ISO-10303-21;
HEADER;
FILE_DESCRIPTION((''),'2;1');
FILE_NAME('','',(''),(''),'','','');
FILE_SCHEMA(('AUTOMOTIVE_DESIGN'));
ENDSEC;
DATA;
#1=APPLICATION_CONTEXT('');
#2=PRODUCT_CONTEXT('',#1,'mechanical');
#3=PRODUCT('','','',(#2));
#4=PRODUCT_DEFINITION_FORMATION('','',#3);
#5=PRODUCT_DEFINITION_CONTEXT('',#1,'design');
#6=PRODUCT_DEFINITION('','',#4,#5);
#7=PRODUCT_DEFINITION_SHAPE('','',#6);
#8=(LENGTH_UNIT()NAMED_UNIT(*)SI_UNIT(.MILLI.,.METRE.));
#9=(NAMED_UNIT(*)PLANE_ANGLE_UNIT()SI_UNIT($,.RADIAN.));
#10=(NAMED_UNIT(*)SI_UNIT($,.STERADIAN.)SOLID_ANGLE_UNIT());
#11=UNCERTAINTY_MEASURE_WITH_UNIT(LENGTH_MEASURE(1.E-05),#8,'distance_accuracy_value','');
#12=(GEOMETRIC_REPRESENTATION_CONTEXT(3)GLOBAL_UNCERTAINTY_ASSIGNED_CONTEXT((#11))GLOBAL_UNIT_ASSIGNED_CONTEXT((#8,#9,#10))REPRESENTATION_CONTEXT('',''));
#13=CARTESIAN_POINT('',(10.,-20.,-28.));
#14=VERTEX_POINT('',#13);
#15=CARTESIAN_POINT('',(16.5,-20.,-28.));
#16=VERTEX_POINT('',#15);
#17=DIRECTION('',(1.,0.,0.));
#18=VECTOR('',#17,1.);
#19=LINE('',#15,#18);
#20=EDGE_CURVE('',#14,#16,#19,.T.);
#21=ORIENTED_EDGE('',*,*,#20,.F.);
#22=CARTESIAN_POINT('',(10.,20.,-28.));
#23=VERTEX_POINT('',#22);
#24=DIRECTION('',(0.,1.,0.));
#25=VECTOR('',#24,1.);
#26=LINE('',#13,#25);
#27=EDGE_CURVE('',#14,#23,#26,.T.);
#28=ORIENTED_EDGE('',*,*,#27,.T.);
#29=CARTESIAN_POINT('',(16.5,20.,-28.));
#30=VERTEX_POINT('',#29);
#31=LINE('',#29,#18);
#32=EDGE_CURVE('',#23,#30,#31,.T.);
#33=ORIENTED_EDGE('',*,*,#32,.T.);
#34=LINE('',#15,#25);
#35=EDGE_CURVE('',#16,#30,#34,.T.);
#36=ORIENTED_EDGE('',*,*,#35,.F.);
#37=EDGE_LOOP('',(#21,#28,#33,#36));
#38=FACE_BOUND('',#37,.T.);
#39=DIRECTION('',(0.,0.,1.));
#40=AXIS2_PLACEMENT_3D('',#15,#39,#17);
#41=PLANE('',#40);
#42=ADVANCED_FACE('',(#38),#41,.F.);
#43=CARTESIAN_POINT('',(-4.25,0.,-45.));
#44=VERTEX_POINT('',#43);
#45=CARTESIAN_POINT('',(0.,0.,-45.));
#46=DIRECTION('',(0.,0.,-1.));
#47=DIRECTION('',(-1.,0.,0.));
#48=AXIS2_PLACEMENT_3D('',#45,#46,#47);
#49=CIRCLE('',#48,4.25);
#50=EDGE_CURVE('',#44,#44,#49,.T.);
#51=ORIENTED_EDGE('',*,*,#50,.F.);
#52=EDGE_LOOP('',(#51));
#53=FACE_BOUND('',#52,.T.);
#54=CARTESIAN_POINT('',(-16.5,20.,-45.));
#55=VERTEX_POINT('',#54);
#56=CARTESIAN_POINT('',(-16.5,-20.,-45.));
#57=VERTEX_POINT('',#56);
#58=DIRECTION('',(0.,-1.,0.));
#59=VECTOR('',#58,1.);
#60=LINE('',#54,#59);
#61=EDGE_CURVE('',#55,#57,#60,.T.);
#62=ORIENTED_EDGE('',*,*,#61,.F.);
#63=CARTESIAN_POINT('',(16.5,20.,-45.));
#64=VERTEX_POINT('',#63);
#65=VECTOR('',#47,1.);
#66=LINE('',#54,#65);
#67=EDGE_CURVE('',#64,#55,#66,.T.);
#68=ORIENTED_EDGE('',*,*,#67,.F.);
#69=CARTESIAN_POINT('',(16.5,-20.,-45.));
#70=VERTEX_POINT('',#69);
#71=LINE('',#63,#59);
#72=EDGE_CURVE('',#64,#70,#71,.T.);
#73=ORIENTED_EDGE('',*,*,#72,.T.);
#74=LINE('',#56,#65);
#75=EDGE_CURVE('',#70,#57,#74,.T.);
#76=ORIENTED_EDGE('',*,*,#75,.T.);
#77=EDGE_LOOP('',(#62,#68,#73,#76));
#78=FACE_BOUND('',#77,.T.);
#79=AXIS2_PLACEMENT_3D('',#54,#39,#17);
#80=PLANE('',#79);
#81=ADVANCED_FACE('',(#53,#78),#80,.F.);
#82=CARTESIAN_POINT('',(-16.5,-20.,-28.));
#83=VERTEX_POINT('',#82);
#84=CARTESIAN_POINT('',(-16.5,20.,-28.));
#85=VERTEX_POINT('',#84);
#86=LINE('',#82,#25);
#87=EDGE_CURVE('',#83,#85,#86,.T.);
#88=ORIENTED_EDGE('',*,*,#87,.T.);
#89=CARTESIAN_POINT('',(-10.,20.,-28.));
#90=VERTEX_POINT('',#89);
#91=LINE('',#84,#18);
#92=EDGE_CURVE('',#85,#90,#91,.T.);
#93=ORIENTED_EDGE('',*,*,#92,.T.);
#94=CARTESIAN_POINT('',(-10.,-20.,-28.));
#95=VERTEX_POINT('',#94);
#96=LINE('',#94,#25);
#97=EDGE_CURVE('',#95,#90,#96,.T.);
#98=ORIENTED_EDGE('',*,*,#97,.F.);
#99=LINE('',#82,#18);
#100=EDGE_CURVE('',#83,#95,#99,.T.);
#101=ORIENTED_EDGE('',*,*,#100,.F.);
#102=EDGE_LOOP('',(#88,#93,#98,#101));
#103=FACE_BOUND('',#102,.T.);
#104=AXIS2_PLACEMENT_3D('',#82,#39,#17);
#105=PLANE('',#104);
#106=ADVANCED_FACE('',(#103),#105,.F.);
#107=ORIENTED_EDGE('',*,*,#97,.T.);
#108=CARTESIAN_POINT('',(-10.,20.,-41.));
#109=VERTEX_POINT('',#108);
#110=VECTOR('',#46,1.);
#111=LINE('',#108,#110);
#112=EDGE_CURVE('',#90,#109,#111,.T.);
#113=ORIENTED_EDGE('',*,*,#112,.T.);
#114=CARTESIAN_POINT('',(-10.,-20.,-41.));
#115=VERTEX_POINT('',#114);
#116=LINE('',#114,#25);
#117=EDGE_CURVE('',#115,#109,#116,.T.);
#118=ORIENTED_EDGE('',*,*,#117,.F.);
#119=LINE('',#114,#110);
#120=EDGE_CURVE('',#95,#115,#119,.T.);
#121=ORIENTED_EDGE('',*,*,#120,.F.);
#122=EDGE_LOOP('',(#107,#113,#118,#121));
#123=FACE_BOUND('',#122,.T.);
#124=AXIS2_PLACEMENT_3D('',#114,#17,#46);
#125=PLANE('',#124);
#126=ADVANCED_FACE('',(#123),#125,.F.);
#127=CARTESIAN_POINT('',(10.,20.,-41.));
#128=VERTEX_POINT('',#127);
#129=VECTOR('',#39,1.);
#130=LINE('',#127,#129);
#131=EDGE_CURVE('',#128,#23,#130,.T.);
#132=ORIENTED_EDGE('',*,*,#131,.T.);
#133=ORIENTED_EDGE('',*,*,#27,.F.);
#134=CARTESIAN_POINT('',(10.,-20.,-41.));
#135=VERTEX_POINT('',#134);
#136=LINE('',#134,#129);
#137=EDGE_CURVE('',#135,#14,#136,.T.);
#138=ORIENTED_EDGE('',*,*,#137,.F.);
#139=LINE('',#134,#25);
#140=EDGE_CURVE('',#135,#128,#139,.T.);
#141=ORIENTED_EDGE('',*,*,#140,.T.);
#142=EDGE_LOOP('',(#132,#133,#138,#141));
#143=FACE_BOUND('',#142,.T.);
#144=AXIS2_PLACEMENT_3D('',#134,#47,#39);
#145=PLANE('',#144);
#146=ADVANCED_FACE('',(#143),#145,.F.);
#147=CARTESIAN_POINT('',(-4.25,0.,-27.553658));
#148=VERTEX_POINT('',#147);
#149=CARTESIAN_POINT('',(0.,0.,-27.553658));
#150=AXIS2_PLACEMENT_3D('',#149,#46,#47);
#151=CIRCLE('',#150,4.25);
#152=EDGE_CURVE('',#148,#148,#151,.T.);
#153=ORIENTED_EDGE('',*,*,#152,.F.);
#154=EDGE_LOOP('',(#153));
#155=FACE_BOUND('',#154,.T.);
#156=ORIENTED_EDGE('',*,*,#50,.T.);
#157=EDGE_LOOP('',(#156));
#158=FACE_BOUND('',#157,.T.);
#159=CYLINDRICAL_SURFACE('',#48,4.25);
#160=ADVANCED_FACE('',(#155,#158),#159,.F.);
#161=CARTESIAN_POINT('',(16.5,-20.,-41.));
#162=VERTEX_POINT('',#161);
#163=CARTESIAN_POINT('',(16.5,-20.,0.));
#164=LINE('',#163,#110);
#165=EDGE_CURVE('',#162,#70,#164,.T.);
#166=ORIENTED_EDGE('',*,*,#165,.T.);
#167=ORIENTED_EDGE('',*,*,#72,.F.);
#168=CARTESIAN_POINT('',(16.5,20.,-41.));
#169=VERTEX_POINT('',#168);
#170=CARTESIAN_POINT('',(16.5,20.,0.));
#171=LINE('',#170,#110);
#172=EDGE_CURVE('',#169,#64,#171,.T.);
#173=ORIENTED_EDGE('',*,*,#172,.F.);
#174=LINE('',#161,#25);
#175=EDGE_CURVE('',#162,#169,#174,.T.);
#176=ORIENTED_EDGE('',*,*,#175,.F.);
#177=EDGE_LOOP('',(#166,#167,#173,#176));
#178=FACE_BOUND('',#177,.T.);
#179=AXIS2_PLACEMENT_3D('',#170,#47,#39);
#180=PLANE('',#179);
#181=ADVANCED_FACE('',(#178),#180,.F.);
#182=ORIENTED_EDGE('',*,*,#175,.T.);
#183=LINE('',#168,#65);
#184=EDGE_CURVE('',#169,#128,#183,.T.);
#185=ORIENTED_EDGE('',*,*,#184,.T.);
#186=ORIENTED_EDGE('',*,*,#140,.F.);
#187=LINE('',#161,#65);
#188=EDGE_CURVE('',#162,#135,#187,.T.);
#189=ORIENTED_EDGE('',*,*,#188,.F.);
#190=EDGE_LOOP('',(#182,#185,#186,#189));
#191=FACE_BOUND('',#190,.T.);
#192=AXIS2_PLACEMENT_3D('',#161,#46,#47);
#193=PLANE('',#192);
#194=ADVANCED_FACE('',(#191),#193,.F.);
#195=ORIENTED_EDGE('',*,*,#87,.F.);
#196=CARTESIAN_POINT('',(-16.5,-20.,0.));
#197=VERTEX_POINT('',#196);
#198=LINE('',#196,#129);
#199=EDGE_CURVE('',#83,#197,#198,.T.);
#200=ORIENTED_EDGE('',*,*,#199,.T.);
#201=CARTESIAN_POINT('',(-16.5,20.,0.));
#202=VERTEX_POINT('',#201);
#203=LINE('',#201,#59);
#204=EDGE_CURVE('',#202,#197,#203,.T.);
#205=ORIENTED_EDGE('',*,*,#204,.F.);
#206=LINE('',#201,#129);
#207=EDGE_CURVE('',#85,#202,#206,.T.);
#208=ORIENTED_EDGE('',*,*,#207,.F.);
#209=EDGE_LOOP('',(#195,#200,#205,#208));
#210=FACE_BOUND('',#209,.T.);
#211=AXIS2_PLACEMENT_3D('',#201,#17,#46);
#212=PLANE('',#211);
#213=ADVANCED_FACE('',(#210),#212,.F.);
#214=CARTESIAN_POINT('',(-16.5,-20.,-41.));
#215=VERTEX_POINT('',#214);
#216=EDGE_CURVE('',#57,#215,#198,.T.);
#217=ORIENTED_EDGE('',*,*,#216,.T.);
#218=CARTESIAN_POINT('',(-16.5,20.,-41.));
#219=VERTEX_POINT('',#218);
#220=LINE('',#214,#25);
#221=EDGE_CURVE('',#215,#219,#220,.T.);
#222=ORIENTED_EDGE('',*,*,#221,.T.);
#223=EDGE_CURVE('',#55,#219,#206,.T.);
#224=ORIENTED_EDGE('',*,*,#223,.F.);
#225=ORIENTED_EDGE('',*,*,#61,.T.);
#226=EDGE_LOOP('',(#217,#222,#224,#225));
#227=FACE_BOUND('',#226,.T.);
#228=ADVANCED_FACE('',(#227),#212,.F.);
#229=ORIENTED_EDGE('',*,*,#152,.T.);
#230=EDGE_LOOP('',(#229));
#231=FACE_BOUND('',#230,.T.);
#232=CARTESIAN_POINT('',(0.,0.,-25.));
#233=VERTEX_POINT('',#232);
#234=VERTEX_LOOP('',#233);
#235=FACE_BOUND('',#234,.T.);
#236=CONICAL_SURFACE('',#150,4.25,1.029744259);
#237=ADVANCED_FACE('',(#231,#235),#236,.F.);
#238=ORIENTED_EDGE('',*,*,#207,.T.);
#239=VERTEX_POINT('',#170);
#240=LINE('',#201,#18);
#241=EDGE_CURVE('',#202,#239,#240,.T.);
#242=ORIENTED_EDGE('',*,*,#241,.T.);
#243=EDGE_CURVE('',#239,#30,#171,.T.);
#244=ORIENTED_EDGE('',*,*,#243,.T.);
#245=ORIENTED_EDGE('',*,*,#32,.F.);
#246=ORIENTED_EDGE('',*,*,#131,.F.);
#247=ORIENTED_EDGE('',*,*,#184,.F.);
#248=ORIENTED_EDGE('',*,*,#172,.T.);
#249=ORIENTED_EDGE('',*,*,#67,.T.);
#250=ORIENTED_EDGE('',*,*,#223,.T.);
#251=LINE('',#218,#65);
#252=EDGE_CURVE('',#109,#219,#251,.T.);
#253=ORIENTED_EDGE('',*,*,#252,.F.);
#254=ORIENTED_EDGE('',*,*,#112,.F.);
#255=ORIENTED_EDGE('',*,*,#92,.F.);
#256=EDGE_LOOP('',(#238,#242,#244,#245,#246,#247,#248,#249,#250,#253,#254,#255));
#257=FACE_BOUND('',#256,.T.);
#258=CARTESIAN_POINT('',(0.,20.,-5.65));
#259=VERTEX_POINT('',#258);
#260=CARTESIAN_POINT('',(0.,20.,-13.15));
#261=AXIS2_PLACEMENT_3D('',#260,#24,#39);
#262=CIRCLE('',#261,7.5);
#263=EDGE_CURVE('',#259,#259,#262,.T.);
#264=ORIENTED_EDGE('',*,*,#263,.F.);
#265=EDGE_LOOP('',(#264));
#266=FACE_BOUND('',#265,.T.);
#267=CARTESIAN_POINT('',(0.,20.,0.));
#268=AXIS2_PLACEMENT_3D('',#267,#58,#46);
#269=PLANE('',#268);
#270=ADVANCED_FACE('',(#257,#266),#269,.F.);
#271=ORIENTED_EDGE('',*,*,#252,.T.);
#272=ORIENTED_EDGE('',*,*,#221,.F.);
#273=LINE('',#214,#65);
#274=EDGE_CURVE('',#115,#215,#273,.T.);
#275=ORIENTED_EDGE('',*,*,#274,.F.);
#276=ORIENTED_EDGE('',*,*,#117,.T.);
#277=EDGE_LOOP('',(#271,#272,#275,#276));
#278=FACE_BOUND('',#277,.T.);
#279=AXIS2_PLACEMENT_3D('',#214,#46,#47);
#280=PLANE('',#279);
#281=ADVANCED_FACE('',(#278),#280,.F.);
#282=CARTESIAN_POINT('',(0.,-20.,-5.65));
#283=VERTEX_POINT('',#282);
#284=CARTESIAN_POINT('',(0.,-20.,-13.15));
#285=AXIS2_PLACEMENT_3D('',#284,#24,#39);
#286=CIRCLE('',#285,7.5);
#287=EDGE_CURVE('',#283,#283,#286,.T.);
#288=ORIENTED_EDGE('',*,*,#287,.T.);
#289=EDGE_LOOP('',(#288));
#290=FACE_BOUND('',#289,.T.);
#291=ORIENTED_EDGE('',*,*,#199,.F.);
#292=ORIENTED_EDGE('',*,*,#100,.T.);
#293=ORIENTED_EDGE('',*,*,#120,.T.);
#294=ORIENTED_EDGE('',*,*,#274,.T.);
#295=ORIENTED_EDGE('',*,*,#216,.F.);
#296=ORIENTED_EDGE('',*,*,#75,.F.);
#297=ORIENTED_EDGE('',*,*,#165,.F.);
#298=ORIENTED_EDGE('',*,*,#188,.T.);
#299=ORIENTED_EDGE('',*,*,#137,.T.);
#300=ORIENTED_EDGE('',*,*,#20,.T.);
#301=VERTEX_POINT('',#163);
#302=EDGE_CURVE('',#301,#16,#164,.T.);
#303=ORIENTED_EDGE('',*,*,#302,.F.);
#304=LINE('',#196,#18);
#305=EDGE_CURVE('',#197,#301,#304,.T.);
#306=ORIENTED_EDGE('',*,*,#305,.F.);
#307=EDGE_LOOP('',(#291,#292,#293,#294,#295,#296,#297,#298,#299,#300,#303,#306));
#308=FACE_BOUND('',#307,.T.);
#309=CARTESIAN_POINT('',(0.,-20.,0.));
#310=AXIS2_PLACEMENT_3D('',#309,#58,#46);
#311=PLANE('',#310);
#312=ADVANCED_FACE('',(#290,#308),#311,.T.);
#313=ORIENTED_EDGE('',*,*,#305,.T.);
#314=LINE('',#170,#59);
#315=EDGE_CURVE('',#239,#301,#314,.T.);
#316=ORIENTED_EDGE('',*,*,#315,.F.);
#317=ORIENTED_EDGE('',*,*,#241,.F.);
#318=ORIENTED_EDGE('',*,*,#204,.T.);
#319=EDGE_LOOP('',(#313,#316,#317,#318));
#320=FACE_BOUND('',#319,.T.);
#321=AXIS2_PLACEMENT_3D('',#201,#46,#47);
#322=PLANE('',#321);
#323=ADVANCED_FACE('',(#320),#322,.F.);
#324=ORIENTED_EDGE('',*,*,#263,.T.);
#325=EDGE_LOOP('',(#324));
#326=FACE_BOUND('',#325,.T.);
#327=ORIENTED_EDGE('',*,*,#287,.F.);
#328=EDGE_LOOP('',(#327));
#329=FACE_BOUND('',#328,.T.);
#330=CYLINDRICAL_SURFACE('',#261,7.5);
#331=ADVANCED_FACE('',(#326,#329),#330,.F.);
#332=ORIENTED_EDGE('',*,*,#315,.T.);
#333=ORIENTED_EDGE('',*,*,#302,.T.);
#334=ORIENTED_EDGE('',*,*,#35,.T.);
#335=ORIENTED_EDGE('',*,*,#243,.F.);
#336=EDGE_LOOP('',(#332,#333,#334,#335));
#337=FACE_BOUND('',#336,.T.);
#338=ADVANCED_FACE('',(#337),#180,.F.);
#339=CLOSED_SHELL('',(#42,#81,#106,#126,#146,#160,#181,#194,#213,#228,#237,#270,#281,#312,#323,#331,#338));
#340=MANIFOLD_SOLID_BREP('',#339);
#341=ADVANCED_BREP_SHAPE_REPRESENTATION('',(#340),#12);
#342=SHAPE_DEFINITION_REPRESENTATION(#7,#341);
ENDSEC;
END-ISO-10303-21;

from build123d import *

# Parameters (mm, degrees)
ESBO_O1_W                      = 33
ESBO_O1_H                      = 45
RESSALTO_EXTRUS_O1_DEPTH       = 20
FURO_DE_DI_METRO_15_0_15_1_D   = 15
FURO_ROSCADO_DE_M10X1_51_D     = 8.5
FURO_ROSCADO_DE_M10X1_51_DEPTH = 17.446342369
FURO_ROSCADO_DE_M10X1_51_TIP   = 2.553657631
ESBO_O6_W                      = 6.5
ESBO_O6_H                      = 13
CORTE_EXTRUS_O1_DEPTH          = 63.42795848


with BuildPart() as part:
    # Esboço1 → Ressalto-extrusão1 (new, symmetric)
    with BuildSketch(Plane(origin=(0, 0, 0), x_dir=(1, 0, 0), z_dir=(0, 1, 0))):
        with Locations((0, 22.5)):
            Rectangle(ESBO_O1_W, ESBO_O1_H)
    extrude(amount=RESSALTO_EXTRUS_O1_DEPTH, both=True)

    # Furo de diâmetro Ø15.0 (15)1 (through all)
    with Locations(Plane(origin=(0, 20, 0), x_dir=(1, 0, 0), z_dir=(0, 1, 0))):
        with Locations((0, 13.15)):
            Hole(FURO_DE_DI_METRO_15_0_15_1_D / 2)

    # Furo roscado de M10x1.51
    with Locations(Plane(origin=(0, 0, -45), x_dir=(-1, 0, 0), z_dir=(0, 0, -1))):
        with Locations((0, 0)):
            Hole(FURO_ROSCADO_DE_M10X1_51_D / 2, depth=FURO_ROSCADO_DE_M10X1_51_DEPTH)
            with Locations((0, 0, -(FURO_ROSCADO_DE_M10X1_51_DEPTH + FURO_ROSCADO_DE_M10X1_51_TIP / 2))):  # 118° drill point
                Cone(0, FURO_ROSCADO_DE_M10X1_51_D / 2, FURO_ROSCADO_DE_M10X1_51_TIP, mode=Mode.SUBTRACT)

    # Esboço6 → Corte-extrusão1 (cut, through all)
    with BuildSketch(Plane(origin=(0, 20, 0), x_dir=(1, 0, 0), z_dir=(0, 1, 0))):
        with Locations((-13.25, 34.5)):
            Rectangle(ESBO_O6_W, ESBO_O6_H)
        with Locations((13.25, 34.5)):
            Rectangle(ESBO_O6_W, ESBO_O6_H)
    extrude(amount=-CORTE_EXTRUS_O1_DEPTH, mode=Mode.SUBTRACT)


solid = part.part
